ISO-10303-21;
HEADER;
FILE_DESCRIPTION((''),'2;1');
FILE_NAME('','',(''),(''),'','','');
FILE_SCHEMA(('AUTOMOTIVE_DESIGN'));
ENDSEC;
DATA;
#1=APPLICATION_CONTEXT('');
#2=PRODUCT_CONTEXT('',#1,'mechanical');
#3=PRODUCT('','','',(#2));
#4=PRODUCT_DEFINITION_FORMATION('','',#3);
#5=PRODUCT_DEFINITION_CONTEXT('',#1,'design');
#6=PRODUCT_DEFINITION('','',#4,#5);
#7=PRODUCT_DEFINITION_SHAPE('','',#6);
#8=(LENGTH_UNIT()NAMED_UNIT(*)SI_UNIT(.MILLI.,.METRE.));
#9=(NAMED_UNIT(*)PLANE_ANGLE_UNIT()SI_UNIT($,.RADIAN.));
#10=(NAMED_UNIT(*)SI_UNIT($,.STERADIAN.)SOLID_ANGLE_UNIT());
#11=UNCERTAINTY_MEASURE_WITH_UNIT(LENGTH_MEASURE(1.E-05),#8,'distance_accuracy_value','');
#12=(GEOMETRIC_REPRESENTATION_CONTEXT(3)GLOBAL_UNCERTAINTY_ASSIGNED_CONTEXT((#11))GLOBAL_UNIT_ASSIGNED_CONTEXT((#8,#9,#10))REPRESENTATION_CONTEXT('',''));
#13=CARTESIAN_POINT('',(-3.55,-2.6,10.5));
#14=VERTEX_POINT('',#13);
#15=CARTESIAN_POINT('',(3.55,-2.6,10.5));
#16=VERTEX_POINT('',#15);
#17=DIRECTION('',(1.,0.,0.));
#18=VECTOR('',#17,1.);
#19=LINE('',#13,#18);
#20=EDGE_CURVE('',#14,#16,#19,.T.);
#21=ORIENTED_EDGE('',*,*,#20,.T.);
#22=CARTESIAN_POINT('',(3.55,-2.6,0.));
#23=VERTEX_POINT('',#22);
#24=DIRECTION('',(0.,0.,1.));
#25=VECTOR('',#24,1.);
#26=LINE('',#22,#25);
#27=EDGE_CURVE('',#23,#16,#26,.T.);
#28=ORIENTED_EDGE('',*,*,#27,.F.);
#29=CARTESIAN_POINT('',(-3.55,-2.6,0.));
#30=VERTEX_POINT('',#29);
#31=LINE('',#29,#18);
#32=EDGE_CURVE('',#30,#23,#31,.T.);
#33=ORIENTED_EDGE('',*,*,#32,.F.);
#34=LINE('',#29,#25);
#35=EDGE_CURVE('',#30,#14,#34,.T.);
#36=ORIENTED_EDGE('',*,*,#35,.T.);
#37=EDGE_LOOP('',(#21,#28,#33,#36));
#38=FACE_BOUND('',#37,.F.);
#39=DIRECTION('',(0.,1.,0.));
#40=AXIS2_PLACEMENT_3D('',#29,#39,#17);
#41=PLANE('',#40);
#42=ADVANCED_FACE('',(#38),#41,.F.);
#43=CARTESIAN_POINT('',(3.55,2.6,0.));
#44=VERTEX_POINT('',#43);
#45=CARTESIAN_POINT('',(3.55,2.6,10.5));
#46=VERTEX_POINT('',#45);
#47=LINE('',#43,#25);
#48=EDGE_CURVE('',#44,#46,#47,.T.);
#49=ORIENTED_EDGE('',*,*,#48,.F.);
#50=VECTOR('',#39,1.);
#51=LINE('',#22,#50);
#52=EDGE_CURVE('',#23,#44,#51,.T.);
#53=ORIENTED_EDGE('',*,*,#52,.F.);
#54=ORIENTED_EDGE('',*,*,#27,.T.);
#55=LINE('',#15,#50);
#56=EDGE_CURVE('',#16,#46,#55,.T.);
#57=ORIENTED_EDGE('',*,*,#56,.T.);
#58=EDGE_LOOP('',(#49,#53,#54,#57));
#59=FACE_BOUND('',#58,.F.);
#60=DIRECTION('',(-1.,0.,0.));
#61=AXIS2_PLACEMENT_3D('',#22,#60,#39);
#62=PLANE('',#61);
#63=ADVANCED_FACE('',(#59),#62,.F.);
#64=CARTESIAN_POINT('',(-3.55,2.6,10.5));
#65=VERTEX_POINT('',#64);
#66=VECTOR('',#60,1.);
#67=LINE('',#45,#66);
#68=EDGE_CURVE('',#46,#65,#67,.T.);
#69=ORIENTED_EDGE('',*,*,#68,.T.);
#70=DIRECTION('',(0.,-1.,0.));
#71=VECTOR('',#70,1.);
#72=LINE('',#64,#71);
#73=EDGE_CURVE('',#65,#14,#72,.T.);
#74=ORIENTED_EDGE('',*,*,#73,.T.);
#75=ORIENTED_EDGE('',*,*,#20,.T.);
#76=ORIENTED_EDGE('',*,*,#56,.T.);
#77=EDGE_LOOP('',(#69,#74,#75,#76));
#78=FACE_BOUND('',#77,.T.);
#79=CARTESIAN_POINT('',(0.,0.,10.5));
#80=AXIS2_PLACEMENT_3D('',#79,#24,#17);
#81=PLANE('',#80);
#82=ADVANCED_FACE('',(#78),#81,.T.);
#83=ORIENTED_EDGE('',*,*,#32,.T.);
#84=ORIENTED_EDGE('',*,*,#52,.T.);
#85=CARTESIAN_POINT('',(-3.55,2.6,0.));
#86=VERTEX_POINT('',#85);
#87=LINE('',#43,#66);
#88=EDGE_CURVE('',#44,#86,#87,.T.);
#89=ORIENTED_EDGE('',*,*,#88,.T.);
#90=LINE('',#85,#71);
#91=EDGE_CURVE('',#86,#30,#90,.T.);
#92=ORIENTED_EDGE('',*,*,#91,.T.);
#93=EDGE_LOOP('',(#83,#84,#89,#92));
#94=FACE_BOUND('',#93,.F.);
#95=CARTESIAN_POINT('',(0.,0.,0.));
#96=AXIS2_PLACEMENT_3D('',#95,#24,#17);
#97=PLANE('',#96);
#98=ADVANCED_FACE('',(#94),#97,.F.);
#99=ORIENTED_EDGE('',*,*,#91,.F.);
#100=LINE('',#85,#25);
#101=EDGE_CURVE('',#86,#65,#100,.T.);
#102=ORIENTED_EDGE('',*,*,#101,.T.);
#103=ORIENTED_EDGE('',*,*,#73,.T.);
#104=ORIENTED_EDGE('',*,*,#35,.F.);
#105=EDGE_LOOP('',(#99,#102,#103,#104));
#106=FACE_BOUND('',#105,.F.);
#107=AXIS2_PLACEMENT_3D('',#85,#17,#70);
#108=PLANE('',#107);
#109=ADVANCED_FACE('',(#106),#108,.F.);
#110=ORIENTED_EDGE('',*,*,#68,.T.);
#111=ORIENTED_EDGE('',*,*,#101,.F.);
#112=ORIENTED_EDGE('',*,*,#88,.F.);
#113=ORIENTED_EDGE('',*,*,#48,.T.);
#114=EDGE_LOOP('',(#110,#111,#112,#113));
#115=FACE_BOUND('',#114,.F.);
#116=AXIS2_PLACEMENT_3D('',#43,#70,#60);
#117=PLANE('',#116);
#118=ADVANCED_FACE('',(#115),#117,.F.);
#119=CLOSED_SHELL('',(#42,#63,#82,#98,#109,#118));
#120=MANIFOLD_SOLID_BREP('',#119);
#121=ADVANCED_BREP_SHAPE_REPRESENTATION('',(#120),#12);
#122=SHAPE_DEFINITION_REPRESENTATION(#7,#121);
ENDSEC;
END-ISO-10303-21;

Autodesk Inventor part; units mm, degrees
ref_plane "YZ Plane" through (0, 0, 0) normal (1, 0, 0) x (0, 1, 0)
ref_plane "XZ Plane" through (0, 0, 0) normal (0, 1, 0) x (-1, 0, 0)
ref_plane "XY Plane" through (0, 0, 0) normal (0, 0, 1) x (1, 0, 0)
sketch "Sketch1" plane through (0, 0, 0) normal (0, 0, 1) x (1, 0, 0)
  line L0 (-3.55, -2.6) -> (3.55, -2.6)
  line L1 (3.55, -2.6) -> (3.55, 2.6)
  line L2 (3.55, 2.6) -> (-3.55, 2.6)
  line L3 (-3.55, 2.6) -> (-3.55, -2.6)
  line L4 (-3.55, -2.6) -> (3.55, 2.6) construction
  line L5 (3.55, -2.6) -> (-3.55, 2.6) construction
  point P0 (0, 0)
  dimension "d0" = 7.1
  dimension "d1" = 5.2
extrude "Extrusion1" add sketch "Sketch1" along normal blind 10.5
properties part number "PZT" material "Gold"
